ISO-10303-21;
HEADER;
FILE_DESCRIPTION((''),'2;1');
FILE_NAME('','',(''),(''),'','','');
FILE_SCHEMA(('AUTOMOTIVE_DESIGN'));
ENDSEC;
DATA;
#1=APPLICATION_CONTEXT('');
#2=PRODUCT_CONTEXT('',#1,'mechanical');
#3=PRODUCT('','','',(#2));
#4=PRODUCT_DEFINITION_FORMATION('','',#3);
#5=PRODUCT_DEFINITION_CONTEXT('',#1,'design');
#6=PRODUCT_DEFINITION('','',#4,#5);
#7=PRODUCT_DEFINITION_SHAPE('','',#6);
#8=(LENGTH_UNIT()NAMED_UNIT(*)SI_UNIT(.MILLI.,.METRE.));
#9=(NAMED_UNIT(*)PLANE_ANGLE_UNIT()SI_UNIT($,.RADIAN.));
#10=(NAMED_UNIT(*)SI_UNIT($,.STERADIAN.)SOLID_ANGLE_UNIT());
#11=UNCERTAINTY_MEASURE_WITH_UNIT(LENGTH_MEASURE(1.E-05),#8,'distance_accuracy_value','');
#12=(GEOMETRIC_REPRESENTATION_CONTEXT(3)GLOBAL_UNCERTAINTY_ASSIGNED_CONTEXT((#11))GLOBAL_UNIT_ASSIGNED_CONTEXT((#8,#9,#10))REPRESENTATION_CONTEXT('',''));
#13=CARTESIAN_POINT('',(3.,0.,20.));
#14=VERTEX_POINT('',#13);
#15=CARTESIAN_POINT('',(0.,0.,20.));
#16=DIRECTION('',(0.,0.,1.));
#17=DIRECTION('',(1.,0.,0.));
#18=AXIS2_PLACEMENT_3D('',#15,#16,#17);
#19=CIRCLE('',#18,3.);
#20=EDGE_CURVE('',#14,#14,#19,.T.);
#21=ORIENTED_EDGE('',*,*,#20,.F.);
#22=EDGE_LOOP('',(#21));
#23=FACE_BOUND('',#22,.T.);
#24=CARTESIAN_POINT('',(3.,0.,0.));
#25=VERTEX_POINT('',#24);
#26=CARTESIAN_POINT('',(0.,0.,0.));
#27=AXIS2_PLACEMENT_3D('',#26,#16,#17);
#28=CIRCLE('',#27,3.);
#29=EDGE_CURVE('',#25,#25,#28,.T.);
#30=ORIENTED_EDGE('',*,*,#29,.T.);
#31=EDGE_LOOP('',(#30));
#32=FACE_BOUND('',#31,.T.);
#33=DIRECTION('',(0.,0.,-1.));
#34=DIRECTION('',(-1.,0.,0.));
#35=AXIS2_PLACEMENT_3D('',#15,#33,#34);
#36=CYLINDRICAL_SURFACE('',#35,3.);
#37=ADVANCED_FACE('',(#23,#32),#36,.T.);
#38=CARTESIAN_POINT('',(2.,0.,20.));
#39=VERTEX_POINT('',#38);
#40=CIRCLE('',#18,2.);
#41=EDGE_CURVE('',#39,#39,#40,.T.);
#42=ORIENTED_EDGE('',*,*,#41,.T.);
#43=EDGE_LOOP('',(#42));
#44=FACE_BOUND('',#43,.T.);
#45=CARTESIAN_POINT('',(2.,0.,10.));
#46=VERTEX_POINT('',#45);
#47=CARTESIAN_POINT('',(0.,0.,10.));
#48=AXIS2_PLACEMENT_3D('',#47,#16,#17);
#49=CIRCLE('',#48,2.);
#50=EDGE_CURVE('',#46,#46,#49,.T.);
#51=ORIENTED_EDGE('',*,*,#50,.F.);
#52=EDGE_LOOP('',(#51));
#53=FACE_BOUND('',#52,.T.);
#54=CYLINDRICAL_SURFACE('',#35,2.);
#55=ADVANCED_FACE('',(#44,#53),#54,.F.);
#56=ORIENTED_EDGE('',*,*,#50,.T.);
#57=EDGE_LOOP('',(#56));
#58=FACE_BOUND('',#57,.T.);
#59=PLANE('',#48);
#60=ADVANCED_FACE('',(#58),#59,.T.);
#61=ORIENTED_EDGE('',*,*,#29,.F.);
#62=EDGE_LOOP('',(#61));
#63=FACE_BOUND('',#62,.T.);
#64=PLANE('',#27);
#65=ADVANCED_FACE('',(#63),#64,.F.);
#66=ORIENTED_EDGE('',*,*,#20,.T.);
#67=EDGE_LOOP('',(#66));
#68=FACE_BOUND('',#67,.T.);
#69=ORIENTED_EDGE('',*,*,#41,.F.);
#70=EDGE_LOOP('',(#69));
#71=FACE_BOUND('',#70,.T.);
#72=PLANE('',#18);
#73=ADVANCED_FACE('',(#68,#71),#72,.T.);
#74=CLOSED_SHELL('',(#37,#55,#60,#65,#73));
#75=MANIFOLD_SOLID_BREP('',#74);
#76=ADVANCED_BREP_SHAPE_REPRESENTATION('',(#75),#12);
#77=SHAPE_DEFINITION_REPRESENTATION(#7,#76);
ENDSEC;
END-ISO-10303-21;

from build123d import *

# Parameters (mm, degrees)
SKETCH1_R           = 3
SKETCH1_R_2         = 2
BOSS_EXTRUDE1_DEPTH = 20
SKETCH1_2_R         = 2
BOSS_EXTRUDE2_DEPTH = 10


with BuildPart() as part:
    # Sketch1 → Boss-Extrude1 (new body)
    with BuildSketch(Plane.XY):
        Circle(SKETCH1_R)
        Circle(SKETCH1_R_2, mode=Mode.SUBTRACT)
    extrude(amount=BOSS_EXTRUDE1_DEPTH)

    # Sketch1<2> → Boss-Extrude2 (add)
    with BuildSketch(Plane.XY):
        Circle(SKETCH1_2_R)
    extrude(amount=BOSS_EXTRUDE2_DEPTH)


solid = part.part
